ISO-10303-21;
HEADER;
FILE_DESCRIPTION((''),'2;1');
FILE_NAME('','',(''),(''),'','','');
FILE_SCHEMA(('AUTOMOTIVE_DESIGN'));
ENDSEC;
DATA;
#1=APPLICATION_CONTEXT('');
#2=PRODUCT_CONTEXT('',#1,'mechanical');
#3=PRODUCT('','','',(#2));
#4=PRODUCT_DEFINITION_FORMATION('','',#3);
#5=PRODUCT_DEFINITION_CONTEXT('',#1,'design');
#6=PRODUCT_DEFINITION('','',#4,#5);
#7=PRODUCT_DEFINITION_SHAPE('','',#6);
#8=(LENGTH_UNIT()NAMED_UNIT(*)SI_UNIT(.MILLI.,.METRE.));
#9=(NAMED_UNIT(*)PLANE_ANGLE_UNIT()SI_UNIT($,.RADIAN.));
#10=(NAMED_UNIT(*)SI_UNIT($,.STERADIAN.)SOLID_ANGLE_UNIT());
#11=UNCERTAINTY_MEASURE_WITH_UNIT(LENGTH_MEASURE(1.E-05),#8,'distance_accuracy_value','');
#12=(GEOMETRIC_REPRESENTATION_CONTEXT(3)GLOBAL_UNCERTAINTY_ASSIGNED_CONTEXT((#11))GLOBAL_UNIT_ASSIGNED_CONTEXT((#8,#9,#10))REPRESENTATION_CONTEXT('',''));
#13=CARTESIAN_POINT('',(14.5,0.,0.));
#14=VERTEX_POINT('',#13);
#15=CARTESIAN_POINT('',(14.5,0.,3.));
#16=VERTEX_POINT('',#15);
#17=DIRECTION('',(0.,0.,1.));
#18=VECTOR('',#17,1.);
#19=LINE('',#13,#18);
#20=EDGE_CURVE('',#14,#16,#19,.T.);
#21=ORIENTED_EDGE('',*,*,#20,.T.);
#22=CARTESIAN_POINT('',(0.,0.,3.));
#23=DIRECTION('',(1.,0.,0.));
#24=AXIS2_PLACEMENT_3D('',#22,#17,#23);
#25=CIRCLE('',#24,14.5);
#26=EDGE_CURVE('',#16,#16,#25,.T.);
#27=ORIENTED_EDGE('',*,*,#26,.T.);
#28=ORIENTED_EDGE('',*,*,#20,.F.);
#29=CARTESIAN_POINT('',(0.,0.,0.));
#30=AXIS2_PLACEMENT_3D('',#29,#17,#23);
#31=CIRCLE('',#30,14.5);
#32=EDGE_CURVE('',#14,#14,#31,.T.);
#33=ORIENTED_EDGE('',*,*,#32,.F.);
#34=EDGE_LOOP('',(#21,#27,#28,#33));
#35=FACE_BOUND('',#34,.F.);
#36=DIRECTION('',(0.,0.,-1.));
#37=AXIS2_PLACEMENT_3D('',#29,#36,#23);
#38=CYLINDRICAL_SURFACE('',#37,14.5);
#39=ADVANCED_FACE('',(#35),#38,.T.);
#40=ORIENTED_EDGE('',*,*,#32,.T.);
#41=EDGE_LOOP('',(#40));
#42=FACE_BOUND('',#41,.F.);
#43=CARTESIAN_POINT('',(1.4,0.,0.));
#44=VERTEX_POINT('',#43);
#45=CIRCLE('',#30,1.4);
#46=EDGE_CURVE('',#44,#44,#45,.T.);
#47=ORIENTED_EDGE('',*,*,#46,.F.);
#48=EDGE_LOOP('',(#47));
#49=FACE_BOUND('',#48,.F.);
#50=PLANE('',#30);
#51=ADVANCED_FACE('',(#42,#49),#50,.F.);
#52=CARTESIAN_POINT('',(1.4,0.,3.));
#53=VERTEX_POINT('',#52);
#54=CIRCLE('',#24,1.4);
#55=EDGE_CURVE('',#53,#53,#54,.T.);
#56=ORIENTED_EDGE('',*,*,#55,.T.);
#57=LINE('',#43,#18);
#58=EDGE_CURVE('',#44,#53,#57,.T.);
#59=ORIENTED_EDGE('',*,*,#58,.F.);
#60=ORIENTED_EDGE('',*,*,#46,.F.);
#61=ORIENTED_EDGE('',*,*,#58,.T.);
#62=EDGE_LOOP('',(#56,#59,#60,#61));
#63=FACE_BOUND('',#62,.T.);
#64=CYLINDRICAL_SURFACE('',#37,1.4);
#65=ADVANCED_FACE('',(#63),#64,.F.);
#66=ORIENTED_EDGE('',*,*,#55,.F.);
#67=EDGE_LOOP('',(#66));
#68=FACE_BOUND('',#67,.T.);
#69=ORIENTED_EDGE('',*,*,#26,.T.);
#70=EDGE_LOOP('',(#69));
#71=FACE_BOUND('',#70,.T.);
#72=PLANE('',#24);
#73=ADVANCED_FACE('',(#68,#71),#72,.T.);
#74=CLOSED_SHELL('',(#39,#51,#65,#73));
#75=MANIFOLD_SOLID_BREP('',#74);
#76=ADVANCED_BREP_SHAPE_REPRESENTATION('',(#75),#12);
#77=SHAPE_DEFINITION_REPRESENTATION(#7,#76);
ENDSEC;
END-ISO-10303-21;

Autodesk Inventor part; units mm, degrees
ref_plane "YZ Plane" through (0, 0, 0) normal (1, 0, 0) x (0, 1, 0)
ref_plane "XZ Plane" through (0, 0, 0) normal (0, 1, 0) x (-1, 0, 0)
ref_plane "XY Plane" through (0, 0, 0) normal (0, 0, 1) x (1, 0, 0)
sketch "Sketch1" plane through (0, 0, 0) normal (0, 0, 1) x (1, 0, 0)
  circle A0 centre (0, 0) radius 14.5
  circle A1 centre (0, 0) radius 1.4
  dimension "d0" = 29
  dimension "d3" = 2.8
extrude "Extrusion1" add sketch "Sketch1" along normal blind 3
properties part number "Front Large Endcap"
